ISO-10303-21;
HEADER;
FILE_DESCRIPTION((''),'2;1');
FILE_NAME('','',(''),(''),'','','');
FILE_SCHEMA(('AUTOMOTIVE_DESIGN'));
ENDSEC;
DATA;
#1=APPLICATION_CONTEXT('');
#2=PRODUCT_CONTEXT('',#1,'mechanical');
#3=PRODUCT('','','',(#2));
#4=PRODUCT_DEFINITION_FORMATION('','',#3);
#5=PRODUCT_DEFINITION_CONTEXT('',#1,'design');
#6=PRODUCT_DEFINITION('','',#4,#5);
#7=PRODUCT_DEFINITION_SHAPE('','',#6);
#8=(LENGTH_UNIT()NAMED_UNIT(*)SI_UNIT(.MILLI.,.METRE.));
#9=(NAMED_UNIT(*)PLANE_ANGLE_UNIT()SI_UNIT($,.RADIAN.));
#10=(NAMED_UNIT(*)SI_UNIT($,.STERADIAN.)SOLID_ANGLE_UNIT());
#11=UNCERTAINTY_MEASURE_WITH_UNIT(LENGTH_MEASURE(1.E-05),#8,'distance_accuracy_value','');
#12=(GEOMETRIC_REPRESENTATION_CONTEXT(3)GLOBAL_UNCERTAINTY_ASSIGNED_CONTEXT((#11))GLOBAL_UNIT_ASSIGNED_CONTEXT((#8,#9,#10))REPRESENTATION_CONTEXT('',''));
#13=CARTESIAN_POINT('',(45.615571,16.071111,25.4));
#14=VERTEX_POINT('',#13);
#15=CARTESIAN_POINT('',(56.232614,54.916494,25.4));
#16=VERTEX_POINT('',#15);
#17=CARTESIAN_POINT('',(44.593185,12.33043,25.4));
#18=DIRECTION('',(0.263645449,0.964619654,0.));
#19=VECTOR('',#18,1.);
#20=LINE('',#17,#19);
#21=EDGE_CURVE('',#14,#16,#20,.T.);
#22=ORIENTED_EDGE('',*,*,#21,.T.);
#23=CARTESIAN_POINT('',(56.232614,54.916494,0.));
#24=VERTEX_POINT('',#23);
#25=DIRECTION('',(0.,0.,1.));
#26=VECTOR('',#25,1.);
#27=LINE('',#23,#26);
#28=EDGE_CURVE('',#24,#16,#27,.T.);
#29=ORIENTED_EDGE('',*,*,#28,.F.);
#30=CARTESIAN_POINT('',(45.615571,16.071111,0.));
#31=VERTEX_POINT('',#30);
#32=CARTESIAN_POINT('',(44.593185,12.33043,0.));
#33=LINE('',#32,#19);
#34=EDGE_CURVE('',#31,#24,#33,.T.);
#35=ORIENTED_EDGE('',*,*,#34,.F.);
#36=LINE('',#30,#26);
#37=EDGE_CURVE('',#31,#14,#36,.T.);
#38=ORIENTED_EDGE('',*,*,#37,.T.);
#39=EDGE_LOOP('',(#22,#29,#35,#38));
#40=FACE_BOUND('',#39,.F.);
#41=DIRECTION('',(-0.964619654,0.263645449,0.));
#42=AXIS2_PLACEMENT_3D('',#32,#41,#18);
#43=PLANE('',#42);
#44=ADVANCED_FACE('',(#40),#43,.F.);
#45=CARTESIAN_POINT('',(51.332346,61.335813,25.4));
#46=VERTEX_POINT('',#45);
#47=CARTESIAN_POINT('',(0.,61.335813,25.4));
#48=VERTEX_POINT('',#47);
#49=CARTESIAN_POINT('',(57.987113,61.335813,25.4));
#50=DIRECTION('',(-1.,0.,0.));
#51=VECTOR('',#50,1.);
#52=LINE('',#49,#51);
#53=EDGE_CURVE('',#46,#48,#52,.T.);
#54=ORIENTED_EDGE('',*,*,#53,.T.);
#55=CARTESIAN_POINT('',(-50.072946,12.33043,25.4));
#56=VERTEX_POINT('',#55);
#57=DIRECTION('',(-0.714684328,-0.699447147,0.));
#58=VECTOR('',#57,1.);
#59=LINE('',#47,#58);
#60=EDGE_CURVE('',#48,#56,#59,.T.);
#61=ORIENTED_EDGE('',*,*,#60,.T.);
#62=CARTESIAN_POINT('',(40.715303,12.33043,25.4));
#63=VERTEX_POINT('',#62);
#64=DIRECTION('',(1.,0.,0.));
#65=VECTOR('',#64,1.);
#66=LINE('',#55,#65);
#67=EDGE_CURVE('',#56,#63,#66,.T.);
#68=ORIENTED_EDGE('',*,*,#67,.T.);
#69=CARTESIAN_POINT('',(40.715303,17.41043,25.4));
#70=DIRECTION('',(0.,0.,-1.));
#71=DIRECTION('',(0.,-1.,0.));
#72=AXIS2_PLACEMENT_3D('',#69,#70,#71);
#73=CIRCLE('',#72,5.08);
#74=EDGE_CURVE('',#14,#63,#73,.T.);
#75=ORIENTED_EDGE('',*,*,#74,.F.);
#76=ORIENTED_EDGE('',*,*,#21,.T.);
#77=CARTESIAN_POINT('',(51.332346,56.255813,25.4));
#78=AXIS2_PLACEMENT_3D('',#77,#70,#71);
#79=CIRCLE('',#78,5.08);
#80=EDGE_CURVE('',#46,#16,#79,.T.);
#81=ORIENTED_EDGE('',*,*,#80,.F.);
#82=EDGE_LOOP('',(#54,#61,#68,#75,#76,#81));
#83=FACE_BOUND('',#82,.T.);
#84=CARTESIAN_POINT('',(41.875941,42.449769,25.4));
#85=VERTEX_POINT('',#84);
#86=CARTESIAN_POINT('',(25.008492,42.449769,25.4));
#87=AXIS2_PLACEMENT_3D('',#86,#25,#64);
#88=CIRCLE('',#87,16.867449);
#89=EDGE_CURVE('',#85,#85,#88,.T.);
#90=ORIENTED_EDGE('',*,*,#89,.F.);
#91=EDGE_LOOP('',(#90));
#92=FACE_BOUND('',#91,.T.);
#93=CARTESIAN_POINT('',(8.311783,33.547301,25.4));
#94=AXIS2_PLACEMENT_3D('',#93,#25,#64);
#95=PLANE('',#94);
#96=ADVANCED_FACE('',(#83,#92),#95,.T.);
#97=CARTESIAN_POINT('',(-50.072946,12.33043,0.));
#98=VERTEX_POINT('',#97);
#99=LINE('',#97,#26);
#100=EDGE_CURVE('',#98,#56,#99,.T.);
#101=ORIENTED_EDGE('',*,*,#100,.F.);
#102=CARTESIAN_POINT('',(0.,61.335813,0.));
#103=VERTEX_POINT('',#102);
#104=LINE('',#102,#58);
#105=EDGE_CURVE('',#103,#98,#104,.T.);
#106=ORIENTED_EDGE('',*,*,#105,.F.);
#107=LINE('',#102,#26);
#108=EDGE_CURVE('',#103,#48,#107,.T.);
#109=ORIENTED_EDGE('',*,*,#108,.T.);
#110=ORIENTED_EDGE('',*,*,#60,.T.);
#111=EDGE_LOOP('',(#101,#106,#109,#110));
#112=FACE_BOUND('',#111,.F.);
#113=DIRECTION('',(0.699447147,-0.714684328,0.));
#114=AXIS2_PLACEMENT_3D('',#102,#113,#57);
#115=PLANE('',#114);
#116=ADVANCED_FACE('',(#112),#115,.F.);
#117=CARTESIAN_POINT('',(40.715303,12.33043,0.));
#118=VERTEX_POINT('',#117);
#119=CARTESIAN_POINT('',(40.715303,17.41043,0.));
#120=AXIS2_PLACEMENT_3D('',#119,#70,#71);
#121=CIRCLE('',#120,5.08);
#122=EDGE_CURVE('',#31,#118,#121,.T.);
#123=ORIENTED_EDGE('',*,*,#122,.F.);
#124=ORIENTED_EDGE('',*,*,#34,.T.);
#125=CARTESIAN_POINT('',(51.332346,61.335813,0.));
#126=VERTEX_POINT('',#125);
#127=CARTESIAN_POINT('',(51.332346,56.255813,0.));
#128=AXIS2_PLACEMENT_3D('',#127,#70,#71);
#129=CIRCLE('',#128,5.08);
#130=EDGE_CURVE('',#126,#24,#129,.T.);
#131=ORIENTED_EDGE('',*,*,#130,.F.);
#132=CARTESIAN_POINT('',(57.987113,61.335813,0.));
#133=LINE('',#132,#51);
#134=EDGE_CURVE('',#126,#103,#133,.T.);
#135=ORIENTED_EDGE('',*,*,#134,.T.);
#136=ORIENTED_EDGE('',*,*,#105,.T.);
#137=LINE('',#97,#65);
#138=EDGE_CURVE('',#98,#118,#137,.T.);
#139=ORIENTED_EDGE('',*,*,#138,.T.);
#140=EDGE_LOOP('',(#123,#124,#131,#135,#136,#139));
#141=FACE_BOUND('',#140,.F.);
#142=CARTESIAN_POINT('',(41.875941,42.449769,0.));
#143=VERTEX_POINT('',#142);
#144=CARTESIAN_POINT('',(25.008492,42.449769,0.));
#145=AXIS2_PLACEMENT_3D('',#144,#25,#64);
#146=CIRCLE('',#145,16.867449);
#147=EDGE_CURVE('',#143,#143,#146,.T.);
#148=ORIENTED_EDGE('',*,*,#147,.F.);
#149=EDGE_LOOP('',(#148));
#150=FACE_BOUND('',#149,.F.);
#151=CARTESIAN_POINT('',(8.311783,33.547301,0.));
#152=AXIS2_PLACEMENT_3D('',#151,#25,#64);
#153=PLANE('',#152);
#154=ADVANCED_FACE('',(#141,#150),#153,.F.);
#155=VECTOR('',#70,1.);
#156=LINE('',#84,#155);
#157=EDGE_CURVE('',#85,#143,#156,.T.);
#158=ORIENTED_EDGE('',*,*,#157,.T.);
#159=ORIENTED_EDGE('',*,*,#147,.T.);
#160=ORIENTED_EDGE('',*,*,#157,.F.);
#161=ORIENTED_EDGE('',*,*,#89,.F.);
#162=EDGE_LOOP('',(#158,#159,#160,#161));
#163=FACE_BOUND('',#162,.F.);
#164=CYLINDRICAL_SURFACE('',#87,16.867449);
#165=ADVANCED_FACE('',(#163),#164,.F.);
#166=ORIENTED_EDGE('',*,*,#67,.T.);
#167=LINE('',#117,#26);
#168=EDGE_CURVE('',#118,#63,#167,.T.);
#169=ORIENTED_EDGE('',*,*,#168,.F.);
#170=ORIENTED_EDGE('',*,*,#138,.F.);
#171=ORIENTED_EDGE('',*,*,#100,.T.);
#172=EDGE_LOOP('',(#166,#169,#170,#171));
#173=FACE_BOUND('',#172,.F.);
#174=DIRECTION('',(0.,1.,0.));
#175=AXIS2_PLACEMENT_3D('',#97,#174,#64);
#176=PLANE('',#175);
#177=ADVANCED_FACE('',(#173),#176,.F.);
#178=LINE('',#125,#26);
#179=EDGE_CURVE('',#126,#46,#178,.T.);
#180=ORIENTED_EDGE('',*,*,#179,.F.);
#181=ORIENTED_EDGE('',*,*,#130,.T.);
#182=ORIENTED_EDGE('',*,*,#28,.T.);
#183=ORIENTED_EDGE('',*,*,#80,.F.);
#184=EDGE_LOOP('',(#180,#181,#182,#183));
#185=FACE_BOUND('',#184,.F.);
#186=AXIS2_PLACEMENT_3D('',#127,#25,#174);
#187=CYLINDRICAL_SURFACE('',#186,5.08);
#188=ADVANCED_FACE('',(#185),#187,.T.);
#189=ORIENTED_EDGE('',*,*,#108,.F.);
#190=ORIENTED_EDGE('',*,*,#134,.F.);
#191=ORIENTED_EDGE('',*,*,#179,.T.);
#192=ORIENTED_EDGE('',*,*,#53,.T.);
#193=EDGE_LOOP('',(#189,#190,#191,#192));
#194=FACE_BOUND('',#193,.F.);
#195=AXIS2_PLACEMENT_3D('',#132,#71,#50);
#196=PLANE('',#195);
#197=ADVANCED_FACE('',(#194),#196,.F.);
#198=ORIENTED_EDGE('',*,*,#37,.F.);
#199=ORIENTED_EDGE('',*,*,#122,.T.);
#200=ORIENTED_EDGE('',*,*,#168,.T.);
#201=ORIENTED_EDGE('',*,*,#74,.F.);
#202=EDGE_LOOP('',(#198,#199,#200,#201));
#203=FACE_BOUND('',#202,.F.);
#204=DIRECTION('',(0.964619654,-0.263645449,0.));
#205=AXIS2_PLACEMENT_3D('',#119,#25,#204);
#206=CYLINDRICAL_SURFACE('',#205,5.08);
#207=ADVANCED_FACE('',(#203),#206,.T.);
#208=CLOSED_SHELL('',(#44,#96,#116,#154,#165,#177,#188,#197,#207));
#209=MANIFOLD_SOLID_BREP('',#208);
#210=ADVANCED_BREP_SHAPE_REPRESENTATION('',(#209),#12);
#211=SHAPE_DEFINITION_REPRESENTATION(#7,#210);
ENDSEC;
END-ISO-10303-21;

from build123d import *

# Parameters (mm, degrees)
F1_DEPTH = 25.4
F2_R     = 16.867449
F3_DEPTH = 25.4
F4_R     = 5.08


with BuildPart() as f1:
    # F0 (on Top) → F1 (new body)
    with BuildSketch(Plane.XY):
        Polygon((57.987113, 61.335813), (0, 61.335813), (-50.072946, 12.33043), (44.593185, 12.33043), align=None)
    extrude(amount=F1_DEPTH)

    # F2 (on face) → F3 (cut)
    with BuildSketch(Plane.XY.offset(25.4)):
        with Locations((25.008492, 42.449769)):
            Circle(F2_R)
    extrude(amount=-F3_DEPTH, mode=Mode.SUBTRACT)

    # F4
    f4_edges = [f1.edges().sort_by_distance(p)[0] for p in [
        (44.593185, 12.33043, 12.7),
        (57.987113, 61.335813, 12.7),
    ]]
    fillet(f4_edges, radius=F4_R)


solid = f1.part
